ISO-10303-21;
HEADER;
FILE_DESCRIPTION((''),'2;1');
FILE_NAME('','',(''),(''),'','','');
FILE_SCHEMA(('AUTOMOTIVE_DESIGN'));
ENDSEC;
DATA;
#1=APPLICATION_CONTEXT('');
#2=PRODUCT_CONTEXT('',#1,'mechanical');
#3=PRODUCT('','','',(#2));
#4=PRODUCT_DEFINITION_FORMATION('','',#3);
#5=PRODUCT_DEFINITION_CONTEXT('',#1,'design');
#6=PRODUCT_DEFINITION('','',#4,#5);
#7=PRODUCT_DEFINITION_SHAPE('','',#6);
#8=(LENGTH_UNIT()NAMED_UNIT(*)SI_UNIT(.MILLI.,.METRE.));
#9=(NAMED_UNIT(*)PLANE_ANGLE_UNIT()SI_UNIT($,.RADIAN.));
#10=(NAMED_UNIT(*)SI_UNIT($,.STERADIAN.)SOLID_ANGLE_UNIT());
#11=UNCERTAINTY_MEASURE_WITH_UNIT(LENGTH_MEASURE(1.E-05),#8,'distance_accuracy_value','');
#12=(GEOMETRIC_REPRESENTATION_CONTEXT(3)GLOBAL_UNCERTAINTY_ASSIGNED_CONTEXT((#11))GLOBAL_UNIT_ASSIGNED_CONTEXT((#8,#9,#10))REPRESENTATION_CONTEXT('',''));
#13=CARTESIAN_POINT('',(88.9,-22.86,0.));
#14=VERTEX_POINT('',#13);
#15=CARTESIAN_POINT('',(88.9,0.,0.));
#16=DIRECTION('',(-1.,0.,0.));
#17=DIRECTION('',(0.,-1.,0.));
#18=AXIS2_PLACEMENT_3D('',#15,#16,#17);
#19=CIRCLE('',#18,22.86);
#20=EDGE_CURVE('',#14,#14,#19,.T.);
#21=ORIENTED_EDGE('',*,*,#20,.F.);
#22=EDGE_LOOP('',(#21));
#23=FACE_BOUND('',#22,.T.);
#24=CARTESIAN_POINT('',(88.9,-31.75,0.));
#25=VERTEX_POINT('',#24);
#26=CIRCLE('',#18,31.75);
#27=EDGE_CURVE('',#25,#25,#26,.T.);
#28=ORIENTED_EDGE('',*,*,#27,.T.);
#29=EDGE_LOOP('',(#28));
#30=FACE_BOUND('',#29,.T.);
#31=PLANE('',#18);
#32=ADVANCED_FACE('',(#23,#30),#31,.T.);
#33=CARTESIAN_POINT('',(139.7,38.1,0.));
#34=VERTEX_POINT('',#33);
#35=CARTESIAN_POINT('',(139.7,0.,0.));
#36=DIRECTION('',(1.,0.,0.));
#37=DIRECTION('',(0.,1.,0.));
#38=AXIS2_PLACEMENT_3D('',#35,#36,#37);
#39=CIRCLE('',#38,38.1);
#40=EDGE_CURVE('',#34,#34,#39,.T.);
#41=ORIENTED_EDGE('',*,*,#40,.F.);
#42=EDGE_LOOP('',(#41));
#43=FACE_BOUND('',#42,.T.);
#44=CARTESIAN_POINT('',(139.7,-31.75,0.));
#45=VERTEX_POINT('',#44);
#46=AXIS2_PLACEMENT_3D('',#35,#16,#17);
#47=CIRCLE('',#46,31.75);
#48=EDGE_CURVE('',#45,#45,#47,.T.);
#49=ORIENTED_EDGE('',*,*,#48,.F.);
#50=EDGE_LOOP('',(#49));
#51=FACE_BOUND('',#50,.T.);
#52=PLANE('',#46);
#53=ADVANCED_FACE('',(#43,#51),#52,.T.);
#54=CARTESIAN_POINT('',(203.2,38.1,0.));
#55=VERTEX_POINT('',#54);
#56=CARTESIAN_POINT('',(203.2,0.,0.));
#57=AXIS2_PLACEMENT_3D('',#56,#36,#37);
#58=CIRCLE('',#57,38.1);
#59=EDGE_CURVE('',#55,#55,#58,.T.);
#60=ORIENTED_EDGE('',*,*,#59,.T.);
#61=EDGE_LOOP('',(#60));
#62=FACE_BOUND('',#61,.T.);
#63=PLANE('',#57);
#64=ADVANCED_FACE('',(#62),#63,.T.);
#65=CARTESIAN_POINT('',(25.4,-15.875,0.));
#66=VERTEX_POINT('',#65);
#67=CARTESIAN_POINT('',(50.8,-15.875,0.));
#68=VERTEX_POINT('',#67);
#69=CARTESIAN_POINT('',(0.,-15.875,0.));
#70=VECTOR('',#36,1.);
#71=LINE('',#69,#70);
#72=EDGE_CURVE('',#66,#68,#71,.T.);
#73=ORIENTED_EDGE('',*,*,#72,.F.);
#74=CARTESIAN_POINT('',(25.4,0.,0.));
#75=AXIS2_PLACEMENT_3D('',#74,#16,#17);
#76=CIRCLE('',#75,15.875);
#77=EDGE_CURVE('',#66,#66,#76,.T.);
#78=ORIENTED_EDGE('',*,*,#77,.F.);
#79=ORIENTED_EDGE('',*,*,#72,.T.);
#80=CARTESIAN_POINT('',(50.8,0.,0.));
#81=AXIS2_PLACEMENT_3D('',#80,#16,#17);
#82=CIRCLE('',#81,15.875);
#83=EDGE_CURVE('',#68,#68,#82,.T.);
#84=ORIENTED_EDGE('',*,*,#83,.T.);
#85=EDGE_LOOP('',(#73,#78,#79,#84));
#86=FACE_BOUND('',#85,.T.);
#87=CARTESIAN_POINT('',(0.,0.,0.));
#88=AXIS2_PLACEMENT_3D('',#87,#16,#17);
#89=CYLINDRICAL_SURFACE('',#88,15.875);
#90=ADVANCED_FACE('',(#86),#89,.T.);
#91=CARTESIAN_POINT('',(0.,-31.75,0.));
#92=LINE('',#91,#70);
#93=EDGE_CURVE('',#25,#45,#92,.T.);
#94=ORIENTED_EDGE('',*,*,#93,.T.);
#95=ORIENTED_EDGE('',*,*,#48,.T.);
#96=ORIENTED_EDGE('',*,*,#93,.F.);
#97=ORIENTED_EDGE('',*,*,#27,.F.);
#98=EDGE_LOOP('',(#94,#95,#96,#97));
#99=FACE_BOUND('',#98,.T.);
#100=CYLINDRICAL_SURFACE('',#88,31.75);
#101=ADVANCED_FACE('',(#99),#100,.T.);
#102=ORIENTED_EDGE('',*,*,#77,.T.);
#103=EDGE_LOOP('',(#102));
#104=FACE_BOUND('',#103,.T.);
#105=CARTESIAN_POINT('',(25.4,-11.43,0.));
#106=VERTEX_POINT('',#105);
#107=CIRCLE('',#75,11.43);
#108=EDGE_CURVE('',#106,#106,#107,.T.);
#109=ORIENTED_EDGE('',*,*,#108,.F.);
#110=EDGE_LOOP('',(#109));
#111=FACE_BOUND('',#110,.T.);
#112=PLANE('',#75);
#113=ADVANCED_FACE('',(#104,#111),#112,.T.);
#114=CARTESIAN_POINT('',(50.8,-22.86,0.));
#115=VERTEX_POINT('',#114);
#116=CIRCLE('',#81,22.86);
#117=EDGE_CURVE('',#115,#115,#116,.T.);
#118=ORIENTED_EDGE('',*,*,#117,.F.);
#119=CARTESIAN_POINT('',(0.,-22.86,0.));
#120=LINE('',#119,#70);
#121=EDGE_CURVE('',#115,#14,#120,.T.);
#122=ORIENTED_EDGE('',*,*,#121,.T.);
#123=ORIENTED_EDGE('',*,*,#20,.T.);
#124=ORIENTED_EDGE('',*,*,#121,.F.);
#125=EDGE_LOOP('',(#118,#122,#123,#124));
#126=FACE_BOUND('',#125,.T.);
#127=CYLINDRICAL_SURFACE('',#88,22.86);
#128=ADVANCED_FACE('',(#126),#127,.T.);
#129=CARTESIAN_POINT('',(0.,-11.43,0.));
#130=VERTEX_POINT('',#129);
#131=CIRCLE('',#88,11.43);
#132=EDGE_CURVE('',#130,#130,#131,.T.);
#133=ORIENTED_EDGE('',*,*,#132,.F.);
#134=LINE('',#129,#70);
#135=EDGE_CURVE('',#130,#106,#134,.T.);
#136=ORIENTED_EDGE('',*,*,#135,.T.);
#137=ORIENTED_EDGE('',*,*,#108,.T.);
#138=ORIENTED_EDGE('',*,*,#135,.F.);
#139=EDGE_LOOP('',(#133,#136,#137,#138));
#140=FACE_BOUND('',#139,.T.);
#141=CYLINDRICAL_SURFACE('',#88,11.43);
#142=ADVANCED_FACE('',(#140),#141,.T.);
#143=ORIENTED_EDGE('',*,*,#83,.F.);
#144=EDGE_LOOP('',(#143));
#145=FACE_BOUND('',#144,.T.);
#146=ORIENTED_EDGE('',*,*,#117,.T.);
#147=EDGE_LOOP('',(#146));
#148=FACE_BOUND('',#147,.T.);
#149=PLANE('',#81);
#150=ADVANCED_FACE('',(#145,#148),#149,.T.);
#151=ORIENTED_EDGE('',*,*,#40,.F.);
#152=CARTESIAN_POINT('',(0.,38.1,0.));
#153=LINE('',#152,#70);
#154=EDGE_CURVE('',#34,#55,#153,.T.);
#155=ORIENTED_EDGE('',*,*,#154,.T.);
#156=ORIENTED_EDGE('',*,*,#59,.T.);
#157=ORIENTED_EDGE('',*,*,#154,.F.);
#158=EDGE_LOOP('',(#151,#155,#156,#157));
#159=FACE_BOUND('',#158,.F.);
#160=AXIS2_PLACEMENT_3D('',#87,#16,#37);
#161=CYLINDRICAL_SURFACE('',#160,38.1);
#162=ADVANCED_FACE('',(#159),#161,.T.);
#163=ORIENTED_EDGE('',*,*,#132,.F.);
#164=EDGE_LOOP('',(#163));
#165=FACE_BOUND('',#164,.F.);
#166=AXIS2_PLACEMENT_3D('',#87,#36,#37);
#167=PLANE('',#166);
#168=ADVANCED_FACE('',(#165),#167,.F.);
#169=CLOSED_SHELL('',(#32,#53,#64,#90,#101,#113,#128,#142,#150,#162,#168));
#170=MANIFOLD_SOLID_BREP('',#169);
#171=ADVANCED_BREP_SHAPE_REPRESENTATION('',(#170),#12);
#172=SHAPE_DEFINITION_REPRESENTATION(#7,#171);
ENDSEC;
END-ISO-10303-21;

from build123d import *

# Parameters (mm, degrees)
F0_R     = 38.1
F1_DEPTH = 203.2
F2_R     = 38.1
F2_R_2   = 31.75
F3_DEPTH = 139.7
F4_R     = 31.75
F4_R_2   = 22.86
F5_DEPTH = 88.9
F6_R     = 31.75
F6_R_2   = 15.875
F7_DEPTH = 50.8
F8_R     = 15.875
F8_R_2   = 11.43
F9_DEPTH = 25.4


with BuildPart() as f1:
    # F0 (on Right) → F1 (new body)
    with BuildSketch(Plane.YZ):
        Circle(F0_R)
    extrude(amount=F1_DEPTH)

    # F2 (on face) → F3 (cut)
    with BuildSketch(Plane(origin=(0, 0, 0), x_dir=(0, -1, 0), z_dir=(-1, 0, 0))):
        Circle(F2_R)
        Circle(F2_R_2, mode=Mode.SUBTRACT)
    extrude(amount=-F3_DEPTH, mode=Mode.SUBTRACT)

    # F4 (on face) → F5 (cut)
    with BuildSketch(Plane(origin=(0, 0, 0), x_dir=(0, -1, 0), z_dir=(-1, 0, 0))):
        Circle(F4_R)
        Circle(F4_R_2, mode=Mode.SUBTRACT)
    extrude(amount=-F5_DEPTH, mode=Mode.SUBTRACT)

    # F6 (on face) → F7 (cut)
    with BuildSketch(Plane(origin=(0, 0, 0), x_dir=(0, -1, 0), z_dir=(-1, 0, 0))):
        Circle(F6_R)
        Circle(F6_R_2, mode=Mode.SUBTRACT)
    extrude(amount=-F7_DEPTH, mode=Mode.SUBTRACT)

    # F8 (on face) → F9 (cut)
    with BuildSketch(Plane(origin=(0, 0, 0), x_dir=(0, -1, 0), z_dir=(-1, 0, 0))):
        Circle(F8_R)
        Circle(F8_R_2, mode=Mode.SUBTRACT)
    extrude(amount=-F9_DEPTH, mode=Mode.SUBTRACT)


solid = f1.part
